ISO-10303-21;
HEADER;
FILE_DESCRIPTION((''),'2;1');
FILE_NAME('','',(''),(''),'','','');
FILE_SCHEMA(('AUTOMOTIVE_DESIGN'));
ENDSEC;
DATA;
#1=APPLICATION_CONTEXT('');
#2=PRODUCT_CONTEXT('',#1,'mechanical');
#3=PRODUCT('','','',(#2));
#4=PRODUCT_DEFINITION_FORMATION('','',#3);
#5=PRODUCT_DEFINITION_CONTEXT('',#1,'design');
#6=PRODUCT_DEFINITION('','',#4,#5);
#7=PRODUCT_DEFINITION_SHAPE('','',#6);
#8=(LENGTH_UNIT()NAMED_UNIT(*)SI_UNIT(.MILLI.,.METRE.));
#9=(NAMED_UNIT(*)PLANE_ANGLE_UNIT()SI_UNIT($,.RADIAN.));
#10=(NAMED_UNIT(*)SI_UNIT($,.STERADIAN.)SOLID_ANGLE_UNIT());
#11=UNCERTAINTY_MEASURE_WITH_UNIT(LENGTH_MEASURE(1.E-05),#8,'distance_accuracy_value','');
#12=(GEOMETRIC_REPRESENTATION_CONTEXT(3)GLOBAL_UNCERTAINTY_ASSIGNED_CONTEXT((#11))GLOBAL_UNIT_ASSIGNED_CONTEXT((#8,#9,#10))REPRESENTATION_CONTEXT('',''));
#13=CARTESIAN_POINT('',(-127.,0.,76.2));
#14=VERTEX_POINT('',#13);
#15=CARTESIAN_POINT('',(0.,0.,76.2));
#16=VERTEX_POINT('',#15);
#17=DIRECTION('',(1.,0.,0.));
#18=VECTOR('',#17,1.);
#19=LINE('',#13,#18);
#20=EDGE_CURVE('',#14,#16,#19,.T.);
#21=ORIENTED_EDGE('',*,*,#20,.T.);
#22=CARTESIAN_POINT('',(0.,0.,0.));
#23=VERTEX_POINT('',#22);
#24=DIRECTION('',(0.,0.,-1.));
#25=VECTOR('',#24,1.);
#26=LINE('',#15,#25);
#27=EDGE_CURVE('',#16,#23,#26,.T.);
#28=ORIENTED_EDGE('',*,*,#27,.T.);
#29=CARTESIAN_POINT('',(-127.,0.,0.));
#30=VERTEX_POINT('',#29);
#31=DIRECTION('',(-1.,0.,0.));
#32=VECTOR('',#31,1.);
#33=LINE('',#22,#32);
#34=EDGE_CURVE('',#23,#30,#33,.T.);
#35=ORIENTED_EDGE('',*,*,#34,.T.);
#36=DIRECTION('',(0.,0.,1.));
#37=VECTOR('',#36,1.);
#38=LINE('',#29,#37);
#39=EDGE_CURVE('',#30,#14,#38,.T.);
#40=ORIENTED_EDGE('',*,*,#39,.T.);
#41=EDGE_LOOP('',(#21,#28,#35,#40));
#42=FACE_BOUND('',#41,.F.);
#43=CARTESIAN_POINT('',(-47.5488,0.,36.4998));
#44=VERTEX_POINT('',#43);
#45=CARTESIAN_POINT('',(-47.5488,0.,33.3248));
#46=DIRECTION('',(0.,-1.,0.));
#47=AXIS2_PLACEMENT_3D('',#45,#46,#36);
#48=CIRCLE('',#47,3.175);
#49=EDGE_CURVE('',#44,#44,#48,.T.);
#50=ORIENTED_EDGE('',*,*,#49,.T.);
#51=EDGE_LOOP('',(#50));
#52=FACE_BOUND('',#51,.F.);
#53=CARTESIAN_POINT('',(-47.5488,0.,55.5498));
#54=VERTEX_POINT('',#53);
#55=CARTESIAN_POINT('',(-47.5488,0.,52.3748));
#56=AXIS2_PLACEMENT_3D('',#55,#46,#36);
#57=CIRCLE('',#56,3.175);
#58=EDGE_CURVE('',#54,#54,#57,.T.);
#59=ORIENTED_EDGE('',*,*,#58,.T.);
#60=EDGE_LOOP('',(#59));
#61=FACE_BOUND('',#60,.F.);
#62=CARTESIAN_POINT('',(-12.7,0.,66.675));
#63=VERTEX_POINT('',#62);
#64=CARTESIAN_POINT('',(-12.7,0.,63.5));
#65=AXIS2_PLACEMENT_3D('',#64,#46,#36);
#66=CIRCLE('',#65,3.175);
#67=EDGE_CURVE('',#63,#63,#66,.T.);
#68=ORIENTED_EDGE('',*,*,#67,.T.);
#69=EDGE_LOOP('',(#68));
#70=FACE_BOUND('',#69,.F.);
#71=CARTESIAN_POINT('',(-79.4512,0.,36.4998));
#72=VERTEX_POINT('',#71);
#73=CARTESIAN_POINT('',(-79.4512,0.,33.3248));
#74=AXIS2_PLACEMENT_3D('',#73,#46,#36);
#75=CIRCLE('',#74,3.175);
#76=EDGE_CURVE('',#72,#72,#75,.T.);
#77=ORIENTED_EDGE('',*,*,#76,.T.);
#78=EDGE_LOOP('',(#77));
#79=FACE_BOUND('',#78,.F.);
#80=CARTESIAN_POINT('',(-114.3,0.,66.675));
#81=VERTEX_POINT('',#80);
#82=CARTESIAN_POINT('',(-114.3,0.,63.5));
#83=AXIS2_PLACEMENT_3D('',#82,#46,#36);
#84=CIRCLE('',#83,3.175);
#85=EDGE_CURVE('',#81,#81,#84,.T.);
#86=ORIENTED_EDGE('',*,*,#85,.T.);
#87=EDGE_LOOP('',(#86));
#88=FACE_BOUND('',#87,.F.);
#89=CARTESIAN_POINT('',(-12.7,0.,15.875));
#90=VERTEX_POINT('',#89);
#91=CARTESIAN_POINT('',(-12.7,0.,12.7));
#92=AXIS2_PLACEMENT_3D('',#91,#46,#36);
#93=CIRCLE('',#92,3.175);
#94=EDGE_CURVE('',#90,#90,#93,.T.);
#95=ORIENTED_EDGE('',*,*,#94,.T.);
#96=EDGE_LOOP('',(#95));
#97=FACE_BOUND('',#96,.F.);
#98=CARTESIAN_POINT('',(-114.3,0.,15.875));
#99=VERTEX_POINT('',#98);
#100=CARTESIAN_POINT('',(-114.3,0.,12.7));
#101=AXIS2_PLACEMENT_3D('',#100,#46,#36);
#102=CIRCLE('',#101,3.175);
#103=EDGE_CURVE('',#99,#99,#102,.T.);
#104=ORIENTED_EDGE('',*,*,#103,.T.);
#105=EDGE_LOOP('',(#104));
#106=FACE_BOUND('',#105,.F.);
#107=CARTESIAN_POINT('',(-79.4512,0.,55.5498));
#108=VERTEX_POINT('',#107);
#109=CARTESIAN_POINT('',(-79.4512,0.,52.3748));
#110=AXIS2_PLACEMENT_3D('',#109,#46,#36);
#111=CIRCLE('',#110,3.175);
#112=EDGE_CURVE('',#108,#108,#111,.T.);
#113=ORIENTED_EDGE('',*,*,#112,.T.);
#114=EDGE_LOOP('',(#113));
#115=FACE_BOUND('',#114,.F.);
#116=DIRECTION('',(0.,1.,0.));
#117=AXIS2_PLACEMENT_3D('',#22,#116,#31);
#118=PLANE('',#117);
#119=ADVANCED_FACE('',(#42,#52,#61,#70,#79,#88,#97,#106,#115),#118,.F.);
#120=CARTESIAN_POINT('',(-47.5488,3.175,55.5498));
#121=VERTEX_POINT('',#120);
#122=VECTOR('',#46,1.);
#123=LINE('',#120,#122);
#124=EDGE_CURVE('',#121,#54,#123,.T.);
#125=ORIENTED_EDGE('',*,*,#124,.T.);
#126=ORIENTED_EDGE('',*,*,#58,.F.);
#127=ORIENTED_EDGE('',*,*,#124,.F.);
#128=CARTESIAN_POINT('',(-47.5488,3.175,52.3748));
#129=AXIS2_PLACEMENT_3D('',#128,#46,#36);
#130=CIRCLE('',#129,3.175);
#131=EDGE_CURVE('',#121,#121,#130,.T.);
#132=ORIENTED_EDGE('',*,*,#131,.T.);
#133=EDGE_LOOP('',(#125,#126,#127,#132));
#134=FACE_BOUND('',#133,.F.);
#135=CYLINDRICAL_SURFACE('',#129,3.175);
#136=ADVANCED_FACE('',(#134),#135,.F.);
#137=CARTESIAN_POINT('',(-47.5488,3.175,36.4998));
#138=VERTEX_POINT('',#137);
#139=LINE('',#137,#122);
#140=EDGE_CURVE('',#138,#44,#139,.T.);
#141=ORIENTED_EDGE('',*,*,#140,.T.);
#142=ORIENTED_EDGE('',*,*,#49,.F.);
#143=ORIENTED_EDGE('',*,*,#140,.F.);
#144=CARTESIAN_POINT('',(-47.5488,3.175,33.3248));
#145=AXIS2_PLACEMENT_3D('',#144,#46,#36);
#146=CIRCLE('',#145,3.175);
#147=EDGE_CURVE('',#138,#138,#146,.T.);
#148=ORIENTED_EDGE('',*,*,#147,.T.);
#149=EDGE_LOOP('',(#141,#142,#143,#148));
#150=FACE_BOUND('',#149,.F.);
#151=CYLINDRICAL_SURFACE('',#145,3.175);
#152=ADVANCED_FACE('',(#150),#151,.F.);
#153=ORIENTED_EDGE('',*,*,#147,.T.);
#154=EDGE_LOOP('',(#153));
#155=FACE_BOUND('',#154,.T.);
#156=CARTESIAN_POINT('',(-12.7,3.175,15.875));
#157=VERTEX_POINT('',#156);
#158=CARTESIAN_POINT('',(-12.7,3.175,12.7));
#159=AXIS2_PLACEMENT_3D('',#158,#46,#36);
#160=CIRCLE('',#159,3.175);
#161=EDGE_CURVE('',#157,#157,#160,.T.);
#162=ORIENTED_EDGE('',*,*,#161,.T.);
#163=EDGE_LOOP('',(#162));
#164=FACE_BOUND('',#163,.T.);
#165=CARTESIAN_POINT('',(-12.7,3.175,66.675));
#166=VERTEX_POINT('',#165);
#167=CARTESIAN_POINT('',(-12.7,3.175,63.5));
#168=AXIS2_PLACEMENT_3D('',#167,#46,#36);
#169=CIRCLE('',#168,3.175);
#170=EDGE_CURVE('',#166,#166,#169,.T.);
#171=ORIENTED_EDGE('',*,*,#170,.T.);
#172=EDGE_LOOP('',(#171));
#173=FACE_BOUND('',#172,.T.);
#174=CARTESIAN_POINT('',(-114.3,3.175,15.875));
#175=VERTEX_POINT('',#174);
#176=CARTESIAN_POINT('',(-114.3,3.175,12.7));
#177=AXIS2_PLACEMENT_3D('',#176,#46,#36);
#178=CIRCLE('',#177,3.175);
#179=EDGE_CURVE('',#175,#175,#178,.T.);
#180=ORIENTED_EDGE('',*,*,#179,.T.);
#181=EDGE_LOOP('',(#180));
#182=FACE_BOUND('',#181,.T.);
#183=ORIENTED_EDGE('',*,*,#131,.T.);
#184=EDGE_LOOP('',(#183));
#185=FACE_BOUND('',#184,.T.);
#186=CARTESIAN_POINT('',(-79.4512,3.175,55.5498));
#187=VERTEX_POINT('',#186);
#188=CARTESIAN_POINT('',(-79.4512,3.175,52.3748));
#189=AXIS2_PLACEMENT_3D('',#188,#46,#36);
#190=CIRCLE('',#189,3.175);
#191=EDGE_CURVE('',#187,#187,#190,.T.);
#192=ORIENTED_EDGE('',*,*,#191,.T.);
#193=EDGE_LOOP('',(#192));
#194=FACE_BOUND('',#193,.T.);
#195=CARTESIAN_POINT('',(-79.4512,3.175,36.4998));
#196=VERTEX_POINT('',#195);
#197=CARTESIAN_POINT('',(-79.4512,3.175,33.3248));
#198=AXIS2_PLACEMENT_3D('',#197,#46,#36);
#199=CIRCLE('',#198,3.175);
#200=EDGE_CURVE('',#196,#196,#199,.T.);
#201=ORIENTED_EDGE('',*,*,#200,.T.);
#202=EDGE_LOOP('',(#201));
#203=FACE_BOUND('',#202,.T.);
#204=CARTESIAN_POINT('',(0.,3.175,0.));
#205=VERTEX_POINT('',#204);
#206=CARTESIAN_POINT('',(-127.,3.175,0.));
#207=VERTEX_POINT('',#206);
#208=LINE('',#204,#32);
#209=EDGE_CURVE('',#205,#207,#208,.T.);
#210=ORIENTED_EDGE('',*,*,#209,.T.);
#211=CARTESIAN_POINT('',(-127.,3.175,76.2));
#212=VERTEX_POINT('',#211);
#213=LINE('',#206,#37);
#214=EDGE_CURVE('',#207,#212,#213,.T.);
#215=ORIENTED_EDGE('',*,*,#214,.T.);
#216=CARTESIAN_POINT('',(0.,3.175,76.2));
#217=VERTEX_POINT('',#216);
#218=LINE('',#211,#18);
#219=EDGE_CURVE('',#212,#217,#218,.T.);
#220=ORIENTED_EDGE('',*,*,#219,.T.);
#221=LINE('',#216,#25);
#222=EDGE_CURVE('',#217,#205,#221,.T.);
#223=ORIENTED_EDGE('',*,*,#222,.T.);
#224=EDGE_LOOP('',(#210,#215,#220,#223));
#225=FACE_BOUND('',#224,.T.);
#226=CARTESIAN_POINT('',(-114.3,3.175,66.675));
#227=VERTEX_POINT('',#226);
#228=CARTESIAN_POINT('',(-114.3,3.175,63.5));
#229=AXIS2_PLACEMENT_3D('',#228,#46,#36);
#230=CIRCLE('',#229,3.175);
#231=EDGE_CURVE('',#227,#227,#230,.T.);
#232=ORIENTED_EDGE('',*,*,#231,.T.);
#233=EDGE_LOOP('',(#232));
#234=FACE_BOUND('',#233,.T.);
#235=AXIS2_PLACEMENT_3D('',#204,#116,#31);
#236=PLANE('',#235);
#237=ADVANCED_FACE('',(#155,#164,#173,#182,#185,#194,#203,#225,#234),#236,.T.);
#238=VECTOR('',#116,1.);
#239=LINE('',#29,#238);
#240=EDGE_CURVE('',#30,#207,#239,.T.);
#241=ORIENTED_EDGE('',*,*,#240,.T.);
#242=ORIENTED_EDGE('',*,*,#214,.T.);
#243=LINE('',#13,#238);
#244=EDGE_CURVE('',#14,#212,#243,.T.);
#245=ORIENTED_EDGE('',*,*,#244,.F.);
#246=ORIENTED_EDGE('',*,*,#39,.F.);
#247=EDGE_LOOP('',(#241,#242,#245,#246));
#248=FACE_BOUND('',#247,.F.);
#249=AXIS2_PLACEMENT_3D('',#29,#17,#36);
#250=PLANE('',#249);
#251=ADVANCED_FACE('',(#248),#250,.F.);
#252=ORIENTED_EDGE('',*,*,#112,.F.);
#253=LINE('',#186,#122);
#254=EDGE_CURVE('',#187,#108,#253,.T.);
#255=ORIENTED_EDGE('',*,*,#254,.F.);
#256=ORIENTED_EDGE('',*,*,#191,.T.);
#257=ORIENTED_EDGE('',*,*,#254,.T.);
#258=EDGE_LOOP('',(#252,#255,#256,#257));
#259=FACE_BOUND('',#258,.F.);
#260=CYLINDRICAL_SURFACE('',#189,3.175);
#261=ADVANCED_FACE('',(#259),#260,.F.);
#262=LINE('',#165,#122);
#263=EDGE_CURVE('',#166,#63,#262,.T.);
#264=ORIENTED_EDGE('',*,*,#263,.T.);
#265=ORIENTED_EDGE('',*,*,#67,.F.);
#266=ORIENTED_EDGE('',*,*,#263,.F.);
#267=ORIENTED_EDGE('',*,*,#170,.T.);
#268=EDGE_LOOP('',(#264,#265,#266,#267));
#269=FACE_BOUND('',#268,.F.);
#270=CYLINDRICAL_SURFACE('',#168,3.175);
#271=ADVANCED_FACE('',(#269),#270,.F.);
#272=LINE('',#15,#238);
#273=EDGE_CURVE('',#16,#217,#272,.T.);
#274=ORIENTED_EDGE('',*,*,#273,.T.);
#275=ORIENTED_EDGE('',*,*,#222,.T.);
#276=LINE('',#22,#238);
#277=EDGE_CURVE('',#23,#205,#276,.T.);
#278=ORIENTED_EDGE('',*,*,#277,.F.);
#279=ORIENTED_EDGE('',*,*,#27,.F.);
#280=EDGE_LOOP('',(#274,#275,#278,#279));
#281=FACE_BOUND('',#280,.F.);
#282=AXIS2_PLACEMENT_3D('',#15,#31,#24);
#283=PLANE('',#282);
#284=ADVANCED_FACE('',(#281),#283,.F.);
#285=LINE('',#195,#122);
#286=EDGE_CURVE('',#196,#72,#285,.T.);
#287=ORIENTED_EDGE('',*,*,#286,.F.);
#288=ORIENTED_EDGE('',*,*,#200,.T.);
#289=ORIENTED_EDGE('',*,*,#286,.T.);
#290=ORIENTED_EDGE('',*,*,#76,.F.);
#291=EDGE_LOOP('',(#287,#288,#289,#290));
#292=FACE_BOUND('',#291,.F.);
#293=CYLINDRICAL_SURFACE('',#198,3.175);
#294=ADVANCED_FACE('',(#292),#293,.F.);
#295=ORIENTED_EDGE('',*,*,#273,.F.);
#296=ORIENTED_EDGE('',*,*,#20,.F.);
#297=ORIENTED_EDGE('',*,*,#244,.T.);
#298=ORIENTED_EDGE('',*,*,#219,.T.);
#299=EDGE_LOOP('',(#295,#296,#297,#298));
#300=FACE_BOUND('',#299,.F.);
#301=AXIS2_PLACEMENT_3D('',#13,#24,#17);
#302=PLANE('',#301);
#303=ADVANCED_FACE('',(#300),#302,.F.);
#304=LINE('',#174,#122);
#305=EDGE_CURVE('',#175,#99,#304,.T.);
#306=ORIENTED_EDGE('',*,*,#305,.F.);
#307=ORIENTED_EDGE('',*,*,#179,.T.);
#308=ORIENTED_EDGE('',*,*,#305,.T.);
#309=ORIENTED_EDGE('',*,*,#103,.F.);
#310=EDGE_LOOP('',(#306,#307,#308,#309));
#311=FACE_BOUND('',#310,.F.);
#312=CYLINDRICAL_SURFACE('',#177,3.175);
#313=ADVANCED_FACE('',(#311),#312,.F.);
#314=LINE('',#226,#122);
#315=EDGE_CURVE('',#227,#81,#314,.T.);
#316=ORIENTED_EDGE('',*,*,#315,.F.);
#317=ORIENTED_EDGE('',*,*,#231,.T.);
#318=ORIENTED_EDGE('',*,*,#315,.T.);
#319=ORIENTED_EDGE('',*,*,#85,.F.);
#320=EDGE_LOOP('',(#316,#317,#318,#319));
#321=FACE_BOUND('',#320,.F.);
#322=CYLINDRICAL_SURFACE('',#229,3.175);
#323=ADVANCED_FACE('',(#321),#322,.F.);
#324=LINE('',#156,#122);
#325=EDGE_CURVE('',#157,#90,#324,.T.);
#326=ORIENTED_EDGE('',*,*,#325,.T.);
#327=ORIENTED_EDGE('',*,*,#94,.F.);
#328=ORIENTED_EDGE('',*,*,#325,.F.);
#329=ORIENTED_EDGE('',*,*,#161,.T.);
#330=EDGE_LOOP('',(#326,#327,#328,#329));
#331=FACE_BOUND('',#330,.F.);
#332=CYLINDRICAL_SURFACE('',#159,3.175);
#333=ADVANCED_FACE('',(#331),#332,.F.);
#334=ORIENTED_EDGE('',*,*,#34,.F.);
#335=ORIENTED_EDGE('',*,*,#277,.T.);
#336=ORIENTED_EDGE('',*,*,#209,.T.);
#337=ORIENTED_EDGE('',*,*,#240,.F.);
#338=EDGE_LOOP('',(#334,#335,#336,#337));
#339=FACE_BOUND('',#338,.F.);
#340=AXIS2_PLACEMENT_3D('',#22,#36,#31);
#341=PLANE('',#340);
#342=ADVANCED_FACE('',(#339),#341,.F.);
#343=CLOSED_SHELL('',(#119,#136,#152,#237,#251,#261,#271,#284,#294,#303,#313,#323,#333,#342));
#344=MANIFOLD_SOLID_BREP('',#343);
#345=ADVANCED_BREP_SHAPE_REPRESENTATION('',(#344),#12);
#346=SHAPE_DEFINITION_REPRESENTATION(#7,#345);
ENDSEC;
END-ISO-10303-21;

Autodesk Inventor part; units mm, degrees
ref_plane "YZ Plane" through (0, 0, 0) normal (1, 0, 0) x (0, 1, 0)
ref_plane "XZ Plane" through (0, 0, 0) normal (0, 1, 0) x (-1, 0, 0)
ref_plane "XY Plane" through (0, 0, 0) normal (0, 0, 1) x (1, 0, 0)
sketch "Sketch1" plane through (0, 0, 0) normal (0, 1, 0) x (-1, 0, 0)
  line L0 (0, 0) -> (127, 0)
  line L1 (127, 0) -> (127, 76.2)
  line L2 (127, 76.2) -> (0, 76.2)
  line L3 (0, 76.2) -> (0, 0)
  dimension "d0" = 76.2
  dimension "d2" = 127
extrude "Extrusion1" add sketch "Sketch1" along normal blind 3.175
sketch "Sketch2" plane through (0, 3.175, 0) normal (0, 1, 0) x (1, 0, 0)
  line L0 (0, 0) -> (-127, 0) projected
  line L1 (-127, 0) -> (-127, -76.2) projected
  line L2 (-127, -76.2) -> (0, -76.2) projected
  line L3 (0, -76.2) -> (0, 0) projected
  point P0 (-114.3, -12.7)
  point P1 (-114.3, -63.5)
  point P2 (-12.7, -63.5)
  point P3 (-12.7, -12.7)
  dimension "d5" = 12.7
  dimension "d6" = 12.7
  dimension "d7" = 12.7
  dimension "d8" = 12.7
  dimension "d9" = 12.7
  dimension "d10" = 12.7
  dimension "d11" = 12.7
  dimension "d12" = 12.7
  dimension "d13" = 50.8
  dimension "d14" = 101.6
  dimension "d15" = 50.8
hole "Hole1" at (-114.3, 3.175, 12.7) at (-114.3, 3.175, 63.5) at (-12.7, 3.175, 63.5) at (-12.7, 3.175, 12.7) direction (0, -1, 0) diameter 6.35 end through all
sketch "Sketch3" plane through (0, 3.175, 0) normal (0, 1, 0) x (1, 0, 0)
  line L0 (-127, 0) -> (-127, -76.2) projected
  line L1 (-127, -76.2) -> (0, -76.2) projected
  line L2 (0, -76.2) -> (0, 0) projected
  point P0 (-79.4512, -52.3748)
  point P1 (-47.5488, -52.3748)
  point P2 (-79.4512, -33.3248)
  point P3 (-47.5488, -33.3248)
  dimension "d23" = 47.5488
  dimension "d24" = 47.5488
  dimension "d25" = 47.5488
  dimension "d26" = 47.5488
  dimension "d27" = 19.05
  dimension "d28" = 19.05
  dimension "d29" = 23.8252
  dimension "d30" = 23.8252
hole "Hole2" at (-79.4512, 3.175, 52.3748) at (-47.5488, 3.175, 52.3748) at (-79.4512, 3.175, 33.3248) at (-47.5488, 3.175, 33.3248) direction (0, -1, 0) diameter 6.35 end through all
properties part number "CylinderPlate" material "Aluminum 6061"
